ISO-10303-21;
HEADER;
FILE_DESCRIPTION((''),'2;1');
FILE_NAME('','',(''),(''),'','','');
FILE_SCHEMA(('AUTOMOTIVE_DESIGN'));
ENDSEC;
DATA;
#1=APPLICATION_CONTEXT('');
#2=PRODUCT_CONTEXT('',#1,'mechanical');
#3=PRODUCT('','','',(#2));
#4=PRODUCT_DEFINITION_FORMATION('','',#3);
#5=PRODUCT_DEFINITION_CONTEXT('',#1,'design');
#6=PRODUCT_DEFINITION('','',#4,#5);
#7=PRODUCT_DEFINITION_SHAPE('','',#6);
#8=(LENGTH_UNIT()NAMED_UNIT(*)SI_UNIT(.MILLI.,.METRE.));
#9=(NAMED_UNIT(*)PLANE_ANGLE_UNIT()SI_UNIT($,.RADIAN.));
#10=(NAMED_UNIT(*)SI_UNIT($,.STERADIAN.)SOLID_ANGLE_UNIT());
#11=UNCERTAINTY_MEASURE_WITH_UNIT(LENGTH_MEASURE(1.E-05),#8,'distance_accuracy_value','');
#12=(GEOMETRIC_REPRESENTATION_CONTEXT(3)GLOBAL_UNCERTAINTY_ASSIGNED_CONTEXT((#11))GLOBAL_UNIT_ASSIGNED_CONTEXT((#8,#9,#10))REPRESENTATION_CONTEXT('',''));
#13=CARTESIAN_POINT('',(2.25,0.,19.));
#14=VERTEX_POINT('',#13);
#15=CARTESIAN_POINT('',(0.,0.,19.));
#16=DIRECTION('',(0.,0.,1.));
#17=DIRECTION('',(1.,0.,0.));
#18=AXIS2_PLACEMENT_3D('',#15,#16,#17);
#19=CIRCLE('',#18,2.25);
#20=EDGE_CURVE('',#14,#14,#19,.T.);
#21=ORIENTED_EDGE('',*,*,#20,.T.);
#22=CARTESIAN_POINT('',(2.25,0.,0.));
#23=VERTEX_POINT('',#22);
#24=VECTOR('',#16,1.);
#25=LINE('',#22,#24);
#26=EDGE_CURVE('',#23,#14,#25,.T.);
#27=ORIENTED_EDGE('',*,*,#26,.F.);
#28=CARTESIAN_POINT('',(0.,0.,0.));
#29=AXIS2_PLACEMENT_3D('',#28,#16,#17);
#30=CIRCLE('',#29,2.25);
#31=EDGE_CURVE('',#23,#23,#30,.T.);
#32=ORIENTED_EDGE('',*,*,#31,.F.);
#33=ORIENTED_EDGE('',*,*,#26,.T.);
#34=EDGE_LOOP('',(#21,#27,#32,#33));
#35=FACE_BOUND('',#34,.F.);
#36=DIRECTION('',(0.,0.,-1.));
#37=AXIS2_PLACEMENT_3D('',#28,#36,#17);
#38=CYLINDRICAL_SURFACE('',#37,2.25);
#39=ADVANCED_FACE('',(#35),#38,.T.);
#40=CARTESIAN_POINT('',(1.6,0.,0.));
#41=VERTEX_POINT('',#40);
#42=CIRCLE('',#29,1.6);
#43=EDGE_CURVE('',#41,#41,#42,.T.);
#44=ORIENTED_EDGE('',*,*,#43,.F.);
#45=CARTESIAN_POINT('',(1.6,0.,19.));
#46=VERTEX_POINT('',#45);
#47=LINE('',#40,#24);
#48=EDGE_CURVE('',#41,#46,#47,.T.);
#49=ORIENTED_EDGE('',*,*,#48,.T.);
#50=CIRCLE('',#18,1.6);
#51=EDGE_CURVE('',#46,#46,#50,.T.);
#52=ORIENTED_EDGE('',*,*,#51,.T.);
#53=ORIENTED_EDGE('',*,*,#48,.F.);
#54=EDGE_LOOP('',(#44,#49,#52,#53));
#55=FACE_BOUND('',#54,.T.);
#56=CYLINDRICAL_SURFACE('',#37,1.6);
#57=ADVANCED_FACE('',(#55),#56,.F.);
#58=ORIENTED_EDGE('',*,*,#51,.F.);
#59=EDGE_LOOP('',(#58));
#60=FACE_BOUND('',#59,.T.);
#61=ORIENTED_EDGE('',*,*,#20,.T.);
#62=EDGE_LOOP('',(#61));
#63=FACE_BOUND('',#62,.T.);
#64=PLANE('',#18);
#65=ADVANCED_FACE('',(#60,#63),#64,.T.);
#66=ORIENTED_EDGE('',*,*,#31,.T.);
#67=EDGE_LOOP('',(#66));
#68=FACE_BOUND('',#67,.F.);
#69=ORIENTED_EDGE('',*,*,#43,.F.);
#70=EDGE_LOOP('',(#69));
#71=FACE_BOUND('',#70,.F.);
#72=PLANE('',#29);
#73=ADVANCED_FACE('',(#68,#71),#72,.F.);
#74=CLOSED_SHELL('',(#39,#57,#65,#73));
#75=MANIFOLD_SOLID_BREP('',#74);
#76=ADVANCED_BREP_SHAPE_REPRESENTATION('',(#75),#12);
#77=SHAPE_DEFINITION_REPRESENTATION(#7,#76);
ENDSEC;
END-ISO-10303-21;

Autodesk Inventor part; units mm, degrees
ref_plane "YZ Plane" through (0, 0, 0) normal (1, 0, 0) x (0, 1, 0)
ref_plane "XZ Plane" through (0, 0, 0) normal (0, 1, 0) x (-1, 0, 0)
ref_plane "XY Plane" through (0, 0, 0) normal (0, 0, 1) x (1, 0, 0)
sketch "Sketch1" plane through (0, 0, 0) normal (0, 0, 1) x (1, 0, 0)
  circle A0 centre (0, 0) radius 2.25
  circle A1 centre (0, 0) radius 1.6
  dimension "d0" = 4.5
  dimension "d1" = 3.2
extrude "Extrusion1" add sketch "Sketch1" along normal blind 19
properties part number "Med_Spacer_V1" material "Nylon 6/6"
